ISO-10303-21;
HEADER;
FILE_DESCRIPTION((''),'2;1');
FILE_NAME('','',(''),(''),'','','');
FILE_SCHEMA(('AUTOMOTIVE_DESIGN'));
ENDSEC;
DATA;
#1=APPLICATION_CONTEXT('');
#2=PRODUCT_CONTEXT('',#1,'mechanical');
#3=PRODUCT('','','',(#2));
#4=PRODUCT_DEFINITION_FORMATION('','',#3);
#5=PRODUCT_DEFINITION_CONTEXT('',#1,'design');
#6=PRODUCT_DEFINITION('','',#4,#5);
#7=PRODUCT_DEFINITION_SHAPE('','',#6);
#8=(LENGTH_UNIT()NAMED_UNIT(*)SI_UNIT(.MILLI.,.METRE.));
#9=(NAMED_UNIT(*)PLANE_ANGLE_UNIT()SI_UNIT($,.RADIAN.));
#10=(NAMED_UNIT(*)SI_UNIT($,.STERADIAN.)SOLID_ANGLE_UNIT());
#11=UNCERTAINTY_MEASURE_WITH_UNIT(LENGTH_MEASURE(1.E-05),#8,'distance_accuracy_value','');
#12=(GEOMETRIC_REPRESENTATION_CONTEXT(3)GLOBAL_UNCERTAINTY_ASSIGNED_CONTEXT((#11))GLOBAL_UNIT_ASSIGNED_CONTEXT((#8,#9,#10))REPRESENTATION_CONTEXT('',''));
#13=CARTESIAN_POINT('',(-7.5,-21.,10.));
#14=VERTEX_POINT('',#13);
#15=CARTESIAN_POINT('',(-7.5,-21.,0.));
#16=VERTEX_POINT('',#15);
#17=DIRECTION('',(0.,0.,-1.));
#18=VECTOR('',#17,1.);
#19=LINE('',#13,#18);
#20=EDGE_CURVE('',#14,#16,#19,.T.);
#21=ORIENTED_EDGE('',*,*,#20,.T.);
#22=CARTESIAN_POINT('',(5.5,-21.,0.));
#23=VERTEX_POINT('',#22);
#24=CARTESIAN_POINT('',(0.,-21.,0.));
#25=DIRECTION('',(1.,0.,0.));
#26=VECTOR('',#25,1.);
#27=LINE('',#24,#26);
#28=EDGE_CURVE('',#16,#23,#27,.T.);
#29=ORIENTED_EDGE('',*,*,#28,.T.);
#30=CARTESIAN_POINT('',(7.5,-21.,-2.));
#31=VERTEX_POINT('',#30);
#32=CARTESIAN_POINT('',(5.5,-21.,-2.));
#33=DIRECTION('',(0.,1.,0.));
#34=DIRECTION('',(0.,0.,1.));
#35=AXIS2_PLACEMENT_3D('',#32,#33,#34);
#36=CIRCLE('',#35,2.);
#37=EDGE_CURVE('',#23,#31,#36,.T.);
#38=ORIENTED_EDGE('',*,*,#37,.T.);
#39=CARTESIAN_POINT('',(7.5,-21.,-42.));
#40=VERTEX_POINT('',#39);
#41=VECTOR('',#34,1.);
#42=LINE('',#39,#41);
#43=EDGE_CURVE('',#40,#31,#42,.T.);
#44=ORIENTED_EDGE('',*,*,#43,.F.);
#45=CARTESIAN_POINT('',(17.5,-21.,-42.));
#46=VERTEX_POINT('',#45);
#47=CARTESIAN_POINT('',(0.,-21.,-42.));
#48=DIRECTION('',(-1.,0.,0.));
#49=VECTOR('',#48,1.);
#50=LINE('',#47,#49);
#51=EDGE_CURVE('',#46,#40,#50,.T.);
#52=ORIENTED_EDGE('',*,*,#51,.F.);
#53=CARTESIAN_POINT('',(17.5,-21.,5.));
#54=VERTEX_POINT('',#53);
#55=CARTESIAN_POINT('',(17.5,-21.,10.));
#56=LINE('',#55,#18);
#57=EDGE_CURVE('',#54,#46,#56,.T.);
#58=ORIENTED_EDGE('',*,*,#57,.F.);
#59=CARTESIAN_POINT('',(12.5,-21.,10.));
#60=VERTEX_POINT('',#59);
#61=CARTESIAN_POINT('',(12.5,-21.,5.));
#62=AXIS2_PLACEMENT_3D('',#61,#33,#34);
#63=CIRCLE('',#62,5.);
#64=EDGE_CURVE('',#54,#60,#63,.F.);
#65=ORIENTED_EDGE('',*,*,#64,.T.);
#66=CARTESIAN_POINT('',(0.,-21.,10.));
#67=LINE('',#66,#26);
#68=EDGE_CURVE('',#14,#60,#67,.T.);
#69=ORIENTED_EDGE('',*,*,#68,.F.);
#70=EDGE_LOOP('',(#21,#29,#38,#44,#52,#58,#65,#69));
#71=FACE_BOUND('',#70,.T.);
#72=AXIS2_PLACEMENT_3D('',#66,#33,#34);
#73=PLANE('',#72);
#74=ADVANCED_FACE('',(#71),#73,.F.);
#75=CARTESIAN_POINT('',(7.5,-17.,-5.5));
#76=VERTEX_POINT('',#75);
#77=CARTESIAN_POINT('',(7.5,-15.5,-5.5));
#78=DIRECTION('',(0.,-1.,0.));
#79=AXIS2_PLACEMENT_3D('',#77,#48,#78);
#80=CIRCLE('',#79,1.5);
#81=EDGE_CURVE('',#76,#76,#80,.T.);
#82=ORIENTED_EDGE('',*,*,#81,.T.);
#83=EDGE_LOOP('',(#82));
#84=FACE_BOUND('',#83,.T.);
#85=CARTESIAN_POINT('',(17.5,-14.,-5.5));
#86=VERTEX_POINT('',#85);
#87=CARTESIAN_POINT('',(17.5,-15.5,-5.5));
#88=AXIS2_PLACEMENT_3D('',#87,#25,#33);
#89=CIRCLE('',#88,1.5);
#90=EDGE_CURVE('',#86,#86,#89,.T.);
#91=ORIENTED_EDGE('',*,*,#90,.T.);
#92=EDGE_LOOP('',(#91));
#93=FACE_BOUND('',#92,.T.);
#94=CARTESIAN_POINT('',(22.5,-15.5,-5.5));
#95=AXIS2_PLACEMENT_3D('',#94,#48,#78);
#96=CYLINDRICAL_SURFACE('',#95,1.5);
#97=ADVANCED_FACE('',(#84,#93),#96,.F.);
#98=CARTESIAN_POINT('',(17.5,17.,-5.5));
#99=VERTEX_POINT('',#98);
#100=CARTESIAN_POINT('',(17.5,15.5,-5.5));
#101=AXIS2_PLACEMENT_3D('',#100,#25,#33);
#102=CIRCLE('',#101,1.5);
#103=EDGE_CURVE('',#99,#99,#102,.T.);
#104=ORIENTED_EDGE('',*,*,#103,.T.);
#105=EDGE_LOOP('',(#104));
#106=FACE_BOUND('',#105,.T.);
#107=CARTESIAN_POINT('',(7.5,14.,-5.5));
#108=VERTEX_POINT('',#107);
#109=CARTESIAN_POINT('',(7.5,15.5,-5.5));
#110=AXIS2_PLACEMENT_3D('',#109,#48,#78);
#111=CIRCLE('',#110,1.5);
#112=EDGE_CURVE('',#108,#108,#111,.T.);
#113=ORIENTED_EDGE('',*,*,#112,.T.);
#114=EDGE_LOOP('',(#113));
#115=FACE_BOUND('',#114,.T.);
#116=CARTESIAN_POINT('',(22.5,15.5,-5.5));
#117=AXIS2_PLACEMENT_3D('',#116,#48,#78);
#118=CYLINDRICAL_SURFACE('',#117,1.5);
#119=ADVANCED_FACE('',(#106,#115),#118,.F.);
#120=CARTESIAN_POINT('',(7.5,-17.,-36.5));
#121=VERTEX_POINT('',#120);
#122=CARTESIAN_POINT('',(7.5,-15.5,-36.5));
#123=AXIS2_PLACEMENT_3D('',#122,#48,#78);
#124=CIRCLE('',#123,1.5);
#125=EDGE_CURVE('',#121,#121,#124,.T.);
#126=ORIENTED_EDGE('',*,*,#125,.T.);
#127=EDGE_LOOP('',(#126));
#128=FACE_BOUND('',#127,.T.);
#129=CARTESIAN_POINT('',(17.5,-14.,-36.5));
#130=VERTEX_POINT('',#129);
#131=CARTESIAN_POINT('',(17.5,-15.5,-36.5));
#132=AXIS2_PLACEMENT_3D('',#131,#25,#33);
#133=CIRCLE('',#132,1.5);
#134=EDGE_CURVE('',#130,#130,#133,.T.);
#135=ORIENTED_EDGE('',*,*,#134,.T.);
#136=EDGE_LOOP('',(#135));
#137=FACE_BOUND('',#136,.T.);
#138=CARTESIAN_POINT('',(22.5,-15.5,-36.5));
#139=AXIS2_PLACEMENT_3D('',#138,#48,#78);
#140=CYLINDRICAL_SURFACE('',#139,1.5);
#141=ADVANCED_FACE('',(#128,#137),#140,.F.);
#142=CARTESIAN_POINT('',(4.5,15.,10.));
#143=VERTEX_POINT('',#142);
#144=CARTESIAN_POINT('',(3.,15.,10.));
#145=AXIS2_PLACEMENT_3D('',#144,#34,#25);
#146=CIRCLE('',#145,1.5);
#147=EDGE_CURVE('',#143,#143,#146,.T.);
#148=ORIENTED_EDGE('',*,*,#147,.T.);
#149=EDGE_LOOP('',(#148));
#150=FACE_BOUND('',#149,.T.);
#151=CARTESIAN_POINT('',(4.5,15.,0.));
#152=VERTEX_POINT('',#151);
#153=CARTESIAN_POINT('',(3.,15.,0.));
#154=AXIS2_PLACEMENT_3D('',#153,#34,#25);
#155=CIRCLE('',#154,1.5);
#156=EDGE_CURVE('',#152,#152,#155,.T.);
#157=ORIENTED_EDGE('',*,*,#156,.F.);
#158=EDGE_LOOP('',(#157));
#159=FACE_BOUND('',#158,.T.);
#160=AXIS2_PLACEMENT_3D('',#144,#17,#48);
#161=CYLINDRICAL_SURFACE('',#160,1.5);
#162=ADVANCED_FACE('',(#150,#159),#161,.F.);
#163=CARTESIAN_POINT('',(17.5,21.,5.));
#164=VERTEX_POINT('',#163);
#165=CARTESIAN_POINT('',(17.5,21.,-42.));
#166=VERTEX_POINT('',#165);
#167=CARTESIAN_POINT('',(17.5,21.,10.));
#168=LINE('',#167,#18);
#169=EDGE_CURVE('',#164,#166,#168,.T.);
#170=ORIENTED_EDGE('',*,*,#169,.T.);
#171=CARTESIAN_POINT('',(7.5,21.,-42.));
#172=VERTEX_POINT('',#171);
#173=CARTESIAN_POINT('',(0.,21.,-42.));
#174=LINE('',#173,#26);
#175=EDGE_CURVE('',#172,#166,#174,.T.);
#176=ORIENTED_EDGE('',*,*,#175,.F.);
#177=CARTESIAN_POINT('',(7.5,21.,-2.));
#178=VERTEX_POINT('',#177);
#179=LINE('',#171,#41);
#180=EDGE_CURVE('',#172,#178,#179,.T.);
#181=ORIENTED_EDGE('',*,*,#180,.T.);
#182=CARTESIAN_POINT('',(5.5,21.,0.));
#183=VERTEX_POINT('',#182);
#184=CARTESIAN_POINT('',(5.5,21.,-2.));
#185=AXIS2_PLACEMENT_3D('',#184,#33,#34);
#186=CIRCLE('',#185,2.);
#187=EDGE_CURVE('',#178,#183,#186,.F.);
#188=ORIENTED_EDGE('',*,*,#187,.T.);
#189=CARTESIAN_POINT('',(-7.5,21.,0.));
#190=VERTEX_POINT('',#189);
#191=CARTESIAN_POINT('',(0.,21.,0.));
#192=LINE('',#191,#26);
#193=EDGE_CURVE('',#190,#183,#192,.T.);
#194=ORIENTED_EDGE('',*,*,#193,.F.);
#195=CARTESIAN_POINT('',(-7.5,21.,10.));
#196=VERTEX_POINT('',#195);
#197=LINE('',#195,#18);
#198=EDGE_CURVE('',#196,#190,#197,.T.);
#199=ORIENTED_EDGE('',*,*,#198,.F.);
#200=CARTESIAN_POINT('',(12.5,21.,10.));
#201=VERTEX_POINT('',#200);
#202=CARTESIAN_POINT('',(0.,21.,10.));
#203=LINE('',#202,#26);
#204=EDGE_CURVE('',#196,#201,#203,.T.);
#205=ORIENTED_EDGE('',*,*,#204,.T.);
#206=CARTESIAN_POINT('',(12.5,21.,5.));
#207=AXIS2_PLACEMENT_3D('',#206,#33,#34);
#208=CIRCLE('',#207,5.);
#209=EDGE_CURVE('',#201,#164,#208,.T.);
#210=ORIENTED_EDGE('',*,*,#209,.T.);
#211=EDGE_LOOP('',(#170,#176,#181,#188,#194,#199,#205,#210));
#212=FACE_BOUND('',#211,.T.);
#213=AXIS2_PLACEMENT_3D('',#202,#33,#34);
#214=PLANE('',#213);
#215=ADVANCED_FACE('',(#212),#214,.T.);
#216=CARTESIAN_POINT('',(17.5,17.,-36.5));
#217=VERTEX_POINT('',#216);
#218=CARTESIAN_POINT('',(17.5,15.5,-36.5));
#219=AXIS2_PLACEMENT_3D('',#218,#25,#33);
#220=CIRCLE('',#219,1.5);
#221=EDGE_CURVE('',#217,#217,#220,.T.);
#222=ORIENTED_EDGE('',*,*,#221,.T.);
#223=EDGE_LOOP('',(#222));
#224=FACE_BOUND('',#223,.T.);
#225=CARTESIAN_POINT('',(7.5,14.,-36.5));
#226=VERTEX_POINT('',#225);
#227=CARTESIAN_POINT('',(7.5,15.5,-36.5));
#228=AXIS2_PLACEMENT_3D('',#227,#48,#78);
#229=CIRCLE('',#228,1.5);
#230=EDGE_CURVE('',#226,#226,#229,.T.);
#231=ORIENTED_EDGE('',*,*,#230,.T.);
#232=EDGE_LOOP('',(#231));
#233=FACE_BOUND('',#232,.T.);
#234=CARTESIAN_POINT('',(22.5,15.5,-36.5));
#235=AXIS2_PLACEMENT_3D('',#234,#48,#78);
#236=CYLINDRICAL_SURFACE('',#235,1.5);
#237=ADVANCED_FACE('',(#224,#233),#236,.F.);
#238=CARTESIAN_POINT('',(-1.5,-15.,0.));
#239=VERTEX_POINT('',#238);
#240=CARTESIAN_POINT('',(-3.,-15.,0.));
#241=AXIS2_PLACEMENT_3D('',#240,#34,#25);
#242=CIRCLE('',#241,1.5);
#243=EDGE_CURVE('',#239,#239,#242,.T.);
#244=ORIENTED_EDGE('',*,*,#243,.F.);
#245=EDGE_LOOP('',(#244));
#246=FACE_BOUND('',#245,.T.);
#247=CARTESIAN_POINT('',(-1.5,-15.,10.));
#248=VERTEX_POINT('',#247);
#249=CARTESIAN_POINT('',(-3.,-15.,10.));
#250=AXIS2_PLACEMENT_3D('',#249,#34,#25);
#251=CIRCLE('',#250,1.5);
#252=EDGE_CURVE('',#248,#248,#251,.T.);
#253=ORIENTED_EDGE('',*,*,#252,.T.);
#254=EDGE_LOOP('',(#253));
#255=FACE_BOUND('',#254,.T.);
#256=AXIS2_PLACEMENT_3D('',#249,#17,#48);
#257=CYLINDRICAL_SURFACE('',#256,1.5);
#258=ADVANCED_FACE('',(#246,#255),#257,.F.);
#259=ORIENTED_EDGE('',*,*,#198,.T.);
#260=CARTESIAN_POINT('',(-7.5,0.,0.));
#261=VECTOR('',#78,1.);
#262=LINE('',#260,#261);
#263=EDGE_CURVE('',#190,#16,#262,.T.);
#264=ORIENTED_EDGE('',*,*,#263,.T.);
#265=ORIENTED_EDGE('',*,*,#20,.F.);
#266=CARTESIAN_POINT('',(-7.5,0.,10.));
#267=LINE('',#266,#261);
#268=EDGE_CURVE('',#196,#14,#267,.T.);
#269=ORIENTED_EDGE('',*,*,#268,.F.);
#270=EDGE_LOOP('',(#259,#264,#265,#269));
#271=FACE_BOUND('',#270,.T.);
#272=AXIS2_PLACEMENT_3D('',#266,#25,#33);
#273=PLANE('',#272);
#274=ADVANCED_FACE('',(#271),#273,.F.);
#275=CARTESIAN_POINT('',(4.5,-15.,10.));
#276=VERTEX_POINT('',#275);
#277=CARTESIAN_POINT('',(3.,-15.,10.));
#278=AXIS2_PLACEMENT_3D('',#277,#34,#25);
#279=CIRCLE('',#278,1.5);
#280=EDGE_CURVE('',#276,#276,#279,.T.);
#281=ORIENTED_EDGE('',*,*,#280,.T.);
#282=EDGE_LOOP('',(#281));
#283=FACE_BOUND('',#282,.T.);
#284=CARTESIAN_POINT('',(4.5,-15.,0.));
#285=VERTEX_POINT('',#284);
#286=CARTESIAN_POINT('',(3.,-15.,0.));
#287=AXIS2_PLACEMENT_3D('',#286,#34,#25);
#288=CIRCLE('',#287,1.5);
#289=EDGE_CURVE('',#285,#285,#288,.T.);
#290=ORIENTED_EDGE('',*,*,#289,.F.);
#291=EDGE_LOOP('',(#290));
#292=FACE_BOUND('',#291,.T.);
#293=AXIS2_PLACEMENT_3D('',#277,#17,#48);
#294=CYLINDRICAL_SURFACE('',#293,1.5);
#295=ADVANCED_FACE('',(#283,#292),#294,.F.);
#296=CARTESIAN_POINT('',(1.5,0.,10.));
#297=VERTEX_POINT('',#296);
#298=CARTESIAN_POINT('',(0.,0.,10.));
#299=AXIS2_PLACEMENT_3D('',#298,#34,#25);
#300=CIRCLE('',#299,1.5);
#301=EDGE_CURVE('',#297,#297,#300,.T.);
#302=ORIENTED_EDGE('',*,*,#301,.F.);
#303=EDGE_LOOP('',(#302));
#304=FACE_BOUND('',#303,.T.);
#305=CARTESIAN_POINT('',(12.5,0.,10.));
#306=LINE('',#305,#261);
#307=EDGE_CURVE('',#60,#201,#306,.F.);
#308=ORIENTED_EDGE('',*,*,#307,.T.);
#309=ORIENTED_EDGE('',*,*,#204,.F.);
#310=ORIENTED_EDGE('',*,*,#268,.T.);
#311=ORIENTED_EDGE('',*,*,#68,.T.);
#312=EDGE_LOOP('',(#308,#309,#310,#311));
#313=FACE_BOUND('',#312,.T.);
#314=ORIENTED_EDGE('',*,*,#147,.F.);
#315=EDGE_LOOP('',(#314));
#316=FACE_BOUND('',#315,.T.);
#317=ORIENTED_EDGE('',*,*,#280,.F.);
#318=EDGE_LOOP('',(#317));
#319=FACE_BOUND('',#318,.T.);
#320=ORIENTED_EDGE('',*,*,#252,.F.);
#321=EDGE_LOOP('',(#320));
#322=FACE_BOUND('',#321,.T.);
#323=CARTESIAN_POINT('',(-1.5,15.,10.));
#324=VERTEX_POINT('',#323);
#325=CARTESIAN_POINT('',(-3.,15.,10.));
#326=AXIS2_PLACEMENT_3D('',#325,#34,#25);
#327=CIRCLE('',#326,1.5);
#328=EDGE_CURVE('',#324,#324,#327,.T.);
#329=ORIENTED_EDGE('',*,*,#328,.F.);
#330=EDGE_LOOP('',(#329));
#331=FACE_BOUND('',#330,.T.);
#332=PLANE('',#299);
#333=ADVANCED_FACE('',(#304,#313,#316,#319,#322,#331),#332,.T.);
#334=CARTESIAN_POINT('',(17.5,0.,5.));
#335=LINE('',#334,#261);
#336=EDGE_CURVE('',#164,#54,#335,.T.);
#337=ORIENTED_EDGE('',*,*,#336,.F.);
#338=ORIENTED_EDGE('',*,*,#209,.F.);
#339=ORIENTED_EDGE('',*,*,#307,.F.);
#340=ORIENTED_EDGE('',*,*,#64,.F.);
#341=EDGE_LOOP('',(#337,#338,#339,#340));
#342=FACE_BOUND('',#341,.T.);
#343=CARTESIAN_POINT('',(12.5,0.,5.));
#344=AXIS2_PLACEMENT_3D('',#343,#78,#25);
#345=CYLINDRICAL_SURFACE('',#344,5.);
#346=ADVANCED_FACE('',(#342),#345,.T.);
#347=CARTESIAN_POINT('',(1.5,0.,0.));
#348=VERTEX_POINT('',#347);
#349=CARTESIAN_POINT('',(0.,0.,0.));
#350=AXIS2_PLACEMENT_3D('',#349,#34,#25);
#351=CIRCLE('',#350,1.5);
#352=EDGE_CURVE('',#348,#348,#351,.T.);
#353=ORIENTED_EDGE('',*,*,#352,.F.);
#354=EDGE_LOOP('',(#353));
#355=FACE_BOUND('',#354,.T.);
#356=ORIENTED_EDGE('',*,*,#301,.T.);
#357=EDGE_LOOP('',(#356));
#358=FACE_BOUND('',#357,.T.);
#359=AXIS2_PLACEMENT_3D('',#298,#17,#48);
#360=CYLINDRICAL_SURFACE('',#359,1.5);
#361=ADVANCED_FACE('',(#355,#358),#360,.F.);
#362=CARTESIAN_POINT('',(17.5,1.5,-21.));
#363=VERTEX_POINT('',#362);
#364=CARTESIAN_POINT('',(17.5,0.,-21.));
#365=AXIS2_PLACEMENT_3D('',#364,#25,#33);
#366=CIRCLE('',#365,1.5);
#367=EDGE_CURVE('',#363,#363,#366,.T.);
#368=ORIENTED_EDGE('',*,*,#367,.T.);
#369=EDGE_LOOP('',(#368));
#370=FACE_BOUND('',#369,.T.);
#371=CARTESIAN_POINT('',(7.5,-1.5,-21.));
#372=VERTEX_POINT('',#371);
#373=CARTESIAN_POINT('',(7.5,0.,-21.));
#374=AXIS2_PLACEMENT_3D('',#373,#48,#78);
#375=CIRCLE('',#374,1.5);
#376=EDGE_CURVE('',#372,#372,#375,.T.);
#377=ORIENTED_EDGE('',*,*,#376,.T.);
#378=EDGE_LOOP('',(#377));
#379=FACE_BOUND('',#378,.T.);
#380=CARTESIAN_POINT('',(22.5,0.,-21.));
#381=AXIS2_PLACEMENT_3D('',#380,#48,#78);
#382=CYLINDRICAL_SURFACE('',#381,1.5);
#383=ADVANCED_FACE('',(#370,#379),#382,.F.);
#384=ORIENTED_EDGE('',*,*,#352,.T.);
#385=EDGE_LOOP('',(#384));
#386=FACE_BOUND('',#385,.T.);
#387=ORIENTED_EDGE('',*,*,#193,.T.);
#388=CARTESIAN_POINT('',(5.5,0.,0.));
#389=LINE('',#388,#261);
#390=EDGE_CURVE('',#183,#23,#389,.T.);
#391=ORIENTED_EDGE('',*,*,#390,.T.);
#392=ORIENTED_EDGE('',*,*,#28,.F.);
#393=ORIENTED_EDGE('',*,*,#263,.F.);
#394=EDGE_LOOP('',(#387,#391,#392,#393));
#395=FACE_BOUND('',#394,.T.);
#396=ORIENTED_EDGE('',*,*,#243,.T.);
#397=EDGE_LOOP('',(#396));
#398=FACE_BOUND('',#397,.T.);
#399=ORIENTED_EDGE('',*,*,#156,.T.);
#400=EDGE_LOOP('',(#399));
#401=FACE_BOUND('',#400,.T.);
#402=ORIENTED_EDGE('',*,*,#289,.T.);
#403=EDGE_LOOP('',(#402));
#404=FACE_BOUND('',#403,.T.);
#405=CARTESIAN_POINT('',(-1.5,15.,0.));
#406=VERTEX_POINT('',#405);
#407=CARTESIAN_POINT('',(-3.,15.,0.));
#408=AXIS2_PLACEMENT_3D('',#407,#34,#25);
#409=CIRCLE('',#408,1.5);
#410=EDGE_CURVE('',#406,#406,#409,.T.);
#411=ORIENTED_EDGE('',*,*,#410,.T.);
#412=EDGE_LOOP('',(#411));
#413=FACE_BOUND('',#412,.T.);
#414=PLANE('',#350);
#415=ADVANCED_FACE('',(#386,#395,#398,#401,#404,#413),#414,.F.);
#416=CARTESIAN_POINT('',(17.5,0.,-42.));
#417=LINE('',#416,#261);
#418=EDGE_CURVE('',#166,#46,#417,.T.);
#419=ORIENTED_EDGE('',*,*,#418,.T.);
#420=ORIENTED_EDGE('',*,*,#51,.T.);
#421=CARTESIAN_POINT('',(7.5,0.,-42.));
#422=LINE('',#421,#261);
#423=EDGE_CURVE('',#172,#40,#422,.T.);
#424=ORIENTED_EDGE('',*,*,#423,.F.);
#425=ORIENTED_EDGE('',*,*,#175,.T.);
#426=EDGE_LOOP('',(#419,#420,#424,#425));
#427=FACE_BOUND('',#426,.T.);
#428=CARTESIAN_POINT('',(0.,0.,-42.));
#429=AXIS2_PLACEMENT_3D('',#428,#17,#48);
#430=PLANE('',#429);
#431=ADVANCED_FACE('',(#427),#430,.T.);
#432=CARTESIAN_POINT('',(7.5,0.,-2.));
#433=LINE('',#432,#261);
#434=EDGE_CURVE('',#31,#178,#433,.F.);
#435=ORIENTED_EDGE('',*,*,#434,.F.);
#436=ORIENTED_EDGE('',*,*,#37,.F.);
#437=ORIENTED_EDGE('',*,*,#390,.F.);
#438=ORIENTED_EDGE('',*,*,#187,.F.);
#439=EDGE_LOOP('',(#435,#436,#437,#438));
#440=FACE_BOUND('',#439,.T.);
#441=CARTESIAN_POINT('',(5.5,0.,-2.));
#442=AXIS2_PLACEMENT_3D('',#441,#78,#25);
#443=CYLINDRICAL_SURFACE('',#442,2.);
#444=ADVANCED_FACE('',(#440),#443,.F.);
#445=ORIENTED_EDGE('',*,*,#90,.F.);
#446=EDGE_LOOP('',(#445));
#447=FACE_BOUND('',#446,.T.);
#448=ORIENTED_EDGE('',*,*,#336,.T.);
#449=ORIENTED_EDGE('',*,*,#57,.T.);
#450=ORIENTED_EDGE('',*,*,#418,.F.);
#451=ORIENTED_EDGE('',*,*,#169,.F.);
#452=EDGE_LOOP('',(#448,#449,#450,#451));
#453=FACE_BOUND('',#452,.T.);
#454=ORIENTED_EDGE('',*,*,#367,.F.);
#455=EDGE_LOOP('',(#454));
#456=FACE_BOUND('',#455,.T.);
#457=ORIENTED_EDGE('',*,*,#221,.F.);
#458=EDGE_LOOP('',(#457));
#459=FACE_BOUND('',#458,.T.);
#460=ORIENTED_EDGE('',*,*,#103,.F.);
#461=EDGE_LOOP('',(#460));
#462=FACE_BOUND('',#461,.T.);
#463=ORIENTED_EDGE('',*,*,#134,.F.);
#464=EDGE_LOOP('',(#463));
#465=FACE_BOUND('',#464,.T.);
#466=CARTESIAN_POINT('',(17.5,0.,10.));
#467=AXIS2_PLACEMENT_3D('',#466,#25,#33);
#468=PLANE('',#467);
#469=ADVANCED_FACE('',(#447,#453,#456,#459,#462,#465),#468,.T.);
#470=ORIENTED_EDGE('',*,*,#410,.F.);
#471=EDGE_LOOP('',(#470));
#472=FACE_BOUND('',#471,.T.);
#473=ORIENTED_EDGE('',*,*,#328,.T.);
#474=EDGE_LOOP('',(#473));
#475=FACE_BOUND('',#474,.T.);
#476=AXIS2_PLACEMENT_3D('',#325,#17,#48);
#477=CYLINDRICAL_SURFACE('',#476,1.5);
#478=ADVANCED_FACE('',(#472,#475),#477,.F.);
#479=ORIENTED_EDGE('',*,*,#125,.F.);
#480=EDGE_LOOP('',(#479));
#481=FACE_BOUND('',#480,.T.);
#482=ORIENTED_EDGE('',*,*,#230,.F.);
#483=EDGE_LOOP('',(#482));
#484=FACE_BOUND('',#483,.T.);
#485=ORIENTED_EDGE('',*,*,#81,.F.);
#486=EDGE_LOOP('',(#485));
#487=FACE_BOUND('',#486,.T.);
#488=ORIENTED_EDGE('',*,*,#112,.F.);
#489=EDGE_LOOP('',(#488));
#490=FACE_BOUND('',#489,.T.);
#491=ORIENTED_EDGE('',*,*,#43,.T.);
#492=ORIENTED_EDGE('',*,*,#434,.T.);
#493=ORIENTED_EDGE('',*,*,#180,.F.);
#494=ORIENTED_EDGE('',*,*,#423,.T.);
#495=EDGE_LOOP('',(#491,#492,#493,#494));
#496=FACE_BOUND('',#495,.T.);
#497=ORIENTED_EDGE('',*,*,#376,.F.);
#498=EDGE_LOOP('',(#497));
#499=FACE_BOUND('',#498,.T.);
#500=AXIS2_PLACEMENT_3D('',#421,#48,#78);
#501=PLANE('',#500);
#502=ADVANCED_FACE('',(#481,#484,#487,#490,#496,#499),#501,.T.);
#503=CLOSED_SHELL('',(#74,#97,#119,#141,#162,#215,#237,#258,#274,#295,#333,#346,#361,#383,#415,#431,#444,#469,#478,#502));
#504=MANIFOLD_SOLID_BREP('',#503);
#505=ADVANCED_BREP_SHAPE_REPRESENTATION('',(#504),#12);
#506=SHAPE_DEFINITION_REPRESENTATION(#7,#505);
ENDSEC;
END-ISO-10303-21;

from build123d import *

# Parameters (mm, degrees)
SKETCH_1_W          = 15
SKETCH_1_H          = 42
SKETCH_1_R          = 1.5
SKETCH_1_W_2        = 10
EXTRUDE_1_DEPTH     = 10
SKETCH_2_W          = 10
SKETCH_2_H          = 42
EXTRUDE_2_DEPTH     = 42
SKETCH_3_R          = 1.5
CUT_EXTRUDE_1_DEPTH = 15
FILLET_1_R          = 2
FILLET_2_R          = 5


with BuildPart() as part:
    # 草图1 → 凸台-拉伸1 (new body)
    # profile 1 of 2: a face of its own
    with BuildSketch(Plane.XY):
        Rectangle(SKETCH_1_W, SKETCH_1_H)
        Circle(SKETCH_1_R, mode=Mode.SUBTRACT)
        with Locations((3, -15)):
            Circle(SKETCH_1_R, mode=Mode.SUBTRACT)
        with Locations((3, 15)):
            Circle(SKETCH_1_R, mode=Mode.SUBTRACT)
        with Locations((-3, -15)):
            Circle(SKETCH_1_R, mode=Mode.SUBTRACT)
        with Locations((-3, 15)):
            Circle(SKETCH_1_R, mode=Mode.SUBTRACT)
    # profile 2 of 2: a face of its own
    with BuildSketch(Plane.XY):
        with Locations((12.5, 0)):
            Rectangle(SKETCH_1_W_2, SKETCH_1_H)
    extrude(amount=EXTRUDE_1_DEPTH)

    # 草图2 → 凸台-拉伸2 (add)
    with BuildSketch(Plane(origin=(0, 0, 0), x_dir=(-1, 0, 0), z_dir=(0, 0, -1))):
        with Locations((-12.5, 0)):
            Rectangle(SKETCH_2_W, SKETCH_2_H)
    extrude(amount=EXTRUDE_2_DEPTH)

    # 草图3 → 切除-拉伸1 (cut)
    with BuildSketch(Plane.ZY.offset(-7.5)):
        with Locations(Location((-36.5, 15.5, 0), (0, 0, 270))):
            Circle(SKETCH_3_R)
        with Locations(Location((-5.5, 15.5, 0), (0, 0, 270))):
            Circle(SKETCH_3_R)
        with Locations(Location((-36.5, -15.5, 0), (0, 0, 270))):
            Circle(SKETCH_3_R)
        with Locations(Location((-5.5, -15.5, 0), (0, 0, 270))):
            Circle(SKETCH_3_R)
        with Locations(Location((-21, 0, 0), (0, 0, 270))):
            Circle(SKETCH_3_R)
    extrude(amount=-CUT_EXTRUDE_1_DEPTH, mode=Mode.SUBTRACT)

    # 圆角1
    fillet_1_edges = [part.edges().sort_by_distance(p)[0] for p in [
        (7.5, 0, 0),
    ]]
    fillet(fillet_1_edges, radius=FILLET_1_R)

    # 圆角2
    fillet_2_edges = [part.edges().sort_by_distance(p)[0] for p in [
        (17.5, 0, 10),
    ]]
    fillet(fillet_2_edges, radius=FILLET_2_R)


solid = part.part
